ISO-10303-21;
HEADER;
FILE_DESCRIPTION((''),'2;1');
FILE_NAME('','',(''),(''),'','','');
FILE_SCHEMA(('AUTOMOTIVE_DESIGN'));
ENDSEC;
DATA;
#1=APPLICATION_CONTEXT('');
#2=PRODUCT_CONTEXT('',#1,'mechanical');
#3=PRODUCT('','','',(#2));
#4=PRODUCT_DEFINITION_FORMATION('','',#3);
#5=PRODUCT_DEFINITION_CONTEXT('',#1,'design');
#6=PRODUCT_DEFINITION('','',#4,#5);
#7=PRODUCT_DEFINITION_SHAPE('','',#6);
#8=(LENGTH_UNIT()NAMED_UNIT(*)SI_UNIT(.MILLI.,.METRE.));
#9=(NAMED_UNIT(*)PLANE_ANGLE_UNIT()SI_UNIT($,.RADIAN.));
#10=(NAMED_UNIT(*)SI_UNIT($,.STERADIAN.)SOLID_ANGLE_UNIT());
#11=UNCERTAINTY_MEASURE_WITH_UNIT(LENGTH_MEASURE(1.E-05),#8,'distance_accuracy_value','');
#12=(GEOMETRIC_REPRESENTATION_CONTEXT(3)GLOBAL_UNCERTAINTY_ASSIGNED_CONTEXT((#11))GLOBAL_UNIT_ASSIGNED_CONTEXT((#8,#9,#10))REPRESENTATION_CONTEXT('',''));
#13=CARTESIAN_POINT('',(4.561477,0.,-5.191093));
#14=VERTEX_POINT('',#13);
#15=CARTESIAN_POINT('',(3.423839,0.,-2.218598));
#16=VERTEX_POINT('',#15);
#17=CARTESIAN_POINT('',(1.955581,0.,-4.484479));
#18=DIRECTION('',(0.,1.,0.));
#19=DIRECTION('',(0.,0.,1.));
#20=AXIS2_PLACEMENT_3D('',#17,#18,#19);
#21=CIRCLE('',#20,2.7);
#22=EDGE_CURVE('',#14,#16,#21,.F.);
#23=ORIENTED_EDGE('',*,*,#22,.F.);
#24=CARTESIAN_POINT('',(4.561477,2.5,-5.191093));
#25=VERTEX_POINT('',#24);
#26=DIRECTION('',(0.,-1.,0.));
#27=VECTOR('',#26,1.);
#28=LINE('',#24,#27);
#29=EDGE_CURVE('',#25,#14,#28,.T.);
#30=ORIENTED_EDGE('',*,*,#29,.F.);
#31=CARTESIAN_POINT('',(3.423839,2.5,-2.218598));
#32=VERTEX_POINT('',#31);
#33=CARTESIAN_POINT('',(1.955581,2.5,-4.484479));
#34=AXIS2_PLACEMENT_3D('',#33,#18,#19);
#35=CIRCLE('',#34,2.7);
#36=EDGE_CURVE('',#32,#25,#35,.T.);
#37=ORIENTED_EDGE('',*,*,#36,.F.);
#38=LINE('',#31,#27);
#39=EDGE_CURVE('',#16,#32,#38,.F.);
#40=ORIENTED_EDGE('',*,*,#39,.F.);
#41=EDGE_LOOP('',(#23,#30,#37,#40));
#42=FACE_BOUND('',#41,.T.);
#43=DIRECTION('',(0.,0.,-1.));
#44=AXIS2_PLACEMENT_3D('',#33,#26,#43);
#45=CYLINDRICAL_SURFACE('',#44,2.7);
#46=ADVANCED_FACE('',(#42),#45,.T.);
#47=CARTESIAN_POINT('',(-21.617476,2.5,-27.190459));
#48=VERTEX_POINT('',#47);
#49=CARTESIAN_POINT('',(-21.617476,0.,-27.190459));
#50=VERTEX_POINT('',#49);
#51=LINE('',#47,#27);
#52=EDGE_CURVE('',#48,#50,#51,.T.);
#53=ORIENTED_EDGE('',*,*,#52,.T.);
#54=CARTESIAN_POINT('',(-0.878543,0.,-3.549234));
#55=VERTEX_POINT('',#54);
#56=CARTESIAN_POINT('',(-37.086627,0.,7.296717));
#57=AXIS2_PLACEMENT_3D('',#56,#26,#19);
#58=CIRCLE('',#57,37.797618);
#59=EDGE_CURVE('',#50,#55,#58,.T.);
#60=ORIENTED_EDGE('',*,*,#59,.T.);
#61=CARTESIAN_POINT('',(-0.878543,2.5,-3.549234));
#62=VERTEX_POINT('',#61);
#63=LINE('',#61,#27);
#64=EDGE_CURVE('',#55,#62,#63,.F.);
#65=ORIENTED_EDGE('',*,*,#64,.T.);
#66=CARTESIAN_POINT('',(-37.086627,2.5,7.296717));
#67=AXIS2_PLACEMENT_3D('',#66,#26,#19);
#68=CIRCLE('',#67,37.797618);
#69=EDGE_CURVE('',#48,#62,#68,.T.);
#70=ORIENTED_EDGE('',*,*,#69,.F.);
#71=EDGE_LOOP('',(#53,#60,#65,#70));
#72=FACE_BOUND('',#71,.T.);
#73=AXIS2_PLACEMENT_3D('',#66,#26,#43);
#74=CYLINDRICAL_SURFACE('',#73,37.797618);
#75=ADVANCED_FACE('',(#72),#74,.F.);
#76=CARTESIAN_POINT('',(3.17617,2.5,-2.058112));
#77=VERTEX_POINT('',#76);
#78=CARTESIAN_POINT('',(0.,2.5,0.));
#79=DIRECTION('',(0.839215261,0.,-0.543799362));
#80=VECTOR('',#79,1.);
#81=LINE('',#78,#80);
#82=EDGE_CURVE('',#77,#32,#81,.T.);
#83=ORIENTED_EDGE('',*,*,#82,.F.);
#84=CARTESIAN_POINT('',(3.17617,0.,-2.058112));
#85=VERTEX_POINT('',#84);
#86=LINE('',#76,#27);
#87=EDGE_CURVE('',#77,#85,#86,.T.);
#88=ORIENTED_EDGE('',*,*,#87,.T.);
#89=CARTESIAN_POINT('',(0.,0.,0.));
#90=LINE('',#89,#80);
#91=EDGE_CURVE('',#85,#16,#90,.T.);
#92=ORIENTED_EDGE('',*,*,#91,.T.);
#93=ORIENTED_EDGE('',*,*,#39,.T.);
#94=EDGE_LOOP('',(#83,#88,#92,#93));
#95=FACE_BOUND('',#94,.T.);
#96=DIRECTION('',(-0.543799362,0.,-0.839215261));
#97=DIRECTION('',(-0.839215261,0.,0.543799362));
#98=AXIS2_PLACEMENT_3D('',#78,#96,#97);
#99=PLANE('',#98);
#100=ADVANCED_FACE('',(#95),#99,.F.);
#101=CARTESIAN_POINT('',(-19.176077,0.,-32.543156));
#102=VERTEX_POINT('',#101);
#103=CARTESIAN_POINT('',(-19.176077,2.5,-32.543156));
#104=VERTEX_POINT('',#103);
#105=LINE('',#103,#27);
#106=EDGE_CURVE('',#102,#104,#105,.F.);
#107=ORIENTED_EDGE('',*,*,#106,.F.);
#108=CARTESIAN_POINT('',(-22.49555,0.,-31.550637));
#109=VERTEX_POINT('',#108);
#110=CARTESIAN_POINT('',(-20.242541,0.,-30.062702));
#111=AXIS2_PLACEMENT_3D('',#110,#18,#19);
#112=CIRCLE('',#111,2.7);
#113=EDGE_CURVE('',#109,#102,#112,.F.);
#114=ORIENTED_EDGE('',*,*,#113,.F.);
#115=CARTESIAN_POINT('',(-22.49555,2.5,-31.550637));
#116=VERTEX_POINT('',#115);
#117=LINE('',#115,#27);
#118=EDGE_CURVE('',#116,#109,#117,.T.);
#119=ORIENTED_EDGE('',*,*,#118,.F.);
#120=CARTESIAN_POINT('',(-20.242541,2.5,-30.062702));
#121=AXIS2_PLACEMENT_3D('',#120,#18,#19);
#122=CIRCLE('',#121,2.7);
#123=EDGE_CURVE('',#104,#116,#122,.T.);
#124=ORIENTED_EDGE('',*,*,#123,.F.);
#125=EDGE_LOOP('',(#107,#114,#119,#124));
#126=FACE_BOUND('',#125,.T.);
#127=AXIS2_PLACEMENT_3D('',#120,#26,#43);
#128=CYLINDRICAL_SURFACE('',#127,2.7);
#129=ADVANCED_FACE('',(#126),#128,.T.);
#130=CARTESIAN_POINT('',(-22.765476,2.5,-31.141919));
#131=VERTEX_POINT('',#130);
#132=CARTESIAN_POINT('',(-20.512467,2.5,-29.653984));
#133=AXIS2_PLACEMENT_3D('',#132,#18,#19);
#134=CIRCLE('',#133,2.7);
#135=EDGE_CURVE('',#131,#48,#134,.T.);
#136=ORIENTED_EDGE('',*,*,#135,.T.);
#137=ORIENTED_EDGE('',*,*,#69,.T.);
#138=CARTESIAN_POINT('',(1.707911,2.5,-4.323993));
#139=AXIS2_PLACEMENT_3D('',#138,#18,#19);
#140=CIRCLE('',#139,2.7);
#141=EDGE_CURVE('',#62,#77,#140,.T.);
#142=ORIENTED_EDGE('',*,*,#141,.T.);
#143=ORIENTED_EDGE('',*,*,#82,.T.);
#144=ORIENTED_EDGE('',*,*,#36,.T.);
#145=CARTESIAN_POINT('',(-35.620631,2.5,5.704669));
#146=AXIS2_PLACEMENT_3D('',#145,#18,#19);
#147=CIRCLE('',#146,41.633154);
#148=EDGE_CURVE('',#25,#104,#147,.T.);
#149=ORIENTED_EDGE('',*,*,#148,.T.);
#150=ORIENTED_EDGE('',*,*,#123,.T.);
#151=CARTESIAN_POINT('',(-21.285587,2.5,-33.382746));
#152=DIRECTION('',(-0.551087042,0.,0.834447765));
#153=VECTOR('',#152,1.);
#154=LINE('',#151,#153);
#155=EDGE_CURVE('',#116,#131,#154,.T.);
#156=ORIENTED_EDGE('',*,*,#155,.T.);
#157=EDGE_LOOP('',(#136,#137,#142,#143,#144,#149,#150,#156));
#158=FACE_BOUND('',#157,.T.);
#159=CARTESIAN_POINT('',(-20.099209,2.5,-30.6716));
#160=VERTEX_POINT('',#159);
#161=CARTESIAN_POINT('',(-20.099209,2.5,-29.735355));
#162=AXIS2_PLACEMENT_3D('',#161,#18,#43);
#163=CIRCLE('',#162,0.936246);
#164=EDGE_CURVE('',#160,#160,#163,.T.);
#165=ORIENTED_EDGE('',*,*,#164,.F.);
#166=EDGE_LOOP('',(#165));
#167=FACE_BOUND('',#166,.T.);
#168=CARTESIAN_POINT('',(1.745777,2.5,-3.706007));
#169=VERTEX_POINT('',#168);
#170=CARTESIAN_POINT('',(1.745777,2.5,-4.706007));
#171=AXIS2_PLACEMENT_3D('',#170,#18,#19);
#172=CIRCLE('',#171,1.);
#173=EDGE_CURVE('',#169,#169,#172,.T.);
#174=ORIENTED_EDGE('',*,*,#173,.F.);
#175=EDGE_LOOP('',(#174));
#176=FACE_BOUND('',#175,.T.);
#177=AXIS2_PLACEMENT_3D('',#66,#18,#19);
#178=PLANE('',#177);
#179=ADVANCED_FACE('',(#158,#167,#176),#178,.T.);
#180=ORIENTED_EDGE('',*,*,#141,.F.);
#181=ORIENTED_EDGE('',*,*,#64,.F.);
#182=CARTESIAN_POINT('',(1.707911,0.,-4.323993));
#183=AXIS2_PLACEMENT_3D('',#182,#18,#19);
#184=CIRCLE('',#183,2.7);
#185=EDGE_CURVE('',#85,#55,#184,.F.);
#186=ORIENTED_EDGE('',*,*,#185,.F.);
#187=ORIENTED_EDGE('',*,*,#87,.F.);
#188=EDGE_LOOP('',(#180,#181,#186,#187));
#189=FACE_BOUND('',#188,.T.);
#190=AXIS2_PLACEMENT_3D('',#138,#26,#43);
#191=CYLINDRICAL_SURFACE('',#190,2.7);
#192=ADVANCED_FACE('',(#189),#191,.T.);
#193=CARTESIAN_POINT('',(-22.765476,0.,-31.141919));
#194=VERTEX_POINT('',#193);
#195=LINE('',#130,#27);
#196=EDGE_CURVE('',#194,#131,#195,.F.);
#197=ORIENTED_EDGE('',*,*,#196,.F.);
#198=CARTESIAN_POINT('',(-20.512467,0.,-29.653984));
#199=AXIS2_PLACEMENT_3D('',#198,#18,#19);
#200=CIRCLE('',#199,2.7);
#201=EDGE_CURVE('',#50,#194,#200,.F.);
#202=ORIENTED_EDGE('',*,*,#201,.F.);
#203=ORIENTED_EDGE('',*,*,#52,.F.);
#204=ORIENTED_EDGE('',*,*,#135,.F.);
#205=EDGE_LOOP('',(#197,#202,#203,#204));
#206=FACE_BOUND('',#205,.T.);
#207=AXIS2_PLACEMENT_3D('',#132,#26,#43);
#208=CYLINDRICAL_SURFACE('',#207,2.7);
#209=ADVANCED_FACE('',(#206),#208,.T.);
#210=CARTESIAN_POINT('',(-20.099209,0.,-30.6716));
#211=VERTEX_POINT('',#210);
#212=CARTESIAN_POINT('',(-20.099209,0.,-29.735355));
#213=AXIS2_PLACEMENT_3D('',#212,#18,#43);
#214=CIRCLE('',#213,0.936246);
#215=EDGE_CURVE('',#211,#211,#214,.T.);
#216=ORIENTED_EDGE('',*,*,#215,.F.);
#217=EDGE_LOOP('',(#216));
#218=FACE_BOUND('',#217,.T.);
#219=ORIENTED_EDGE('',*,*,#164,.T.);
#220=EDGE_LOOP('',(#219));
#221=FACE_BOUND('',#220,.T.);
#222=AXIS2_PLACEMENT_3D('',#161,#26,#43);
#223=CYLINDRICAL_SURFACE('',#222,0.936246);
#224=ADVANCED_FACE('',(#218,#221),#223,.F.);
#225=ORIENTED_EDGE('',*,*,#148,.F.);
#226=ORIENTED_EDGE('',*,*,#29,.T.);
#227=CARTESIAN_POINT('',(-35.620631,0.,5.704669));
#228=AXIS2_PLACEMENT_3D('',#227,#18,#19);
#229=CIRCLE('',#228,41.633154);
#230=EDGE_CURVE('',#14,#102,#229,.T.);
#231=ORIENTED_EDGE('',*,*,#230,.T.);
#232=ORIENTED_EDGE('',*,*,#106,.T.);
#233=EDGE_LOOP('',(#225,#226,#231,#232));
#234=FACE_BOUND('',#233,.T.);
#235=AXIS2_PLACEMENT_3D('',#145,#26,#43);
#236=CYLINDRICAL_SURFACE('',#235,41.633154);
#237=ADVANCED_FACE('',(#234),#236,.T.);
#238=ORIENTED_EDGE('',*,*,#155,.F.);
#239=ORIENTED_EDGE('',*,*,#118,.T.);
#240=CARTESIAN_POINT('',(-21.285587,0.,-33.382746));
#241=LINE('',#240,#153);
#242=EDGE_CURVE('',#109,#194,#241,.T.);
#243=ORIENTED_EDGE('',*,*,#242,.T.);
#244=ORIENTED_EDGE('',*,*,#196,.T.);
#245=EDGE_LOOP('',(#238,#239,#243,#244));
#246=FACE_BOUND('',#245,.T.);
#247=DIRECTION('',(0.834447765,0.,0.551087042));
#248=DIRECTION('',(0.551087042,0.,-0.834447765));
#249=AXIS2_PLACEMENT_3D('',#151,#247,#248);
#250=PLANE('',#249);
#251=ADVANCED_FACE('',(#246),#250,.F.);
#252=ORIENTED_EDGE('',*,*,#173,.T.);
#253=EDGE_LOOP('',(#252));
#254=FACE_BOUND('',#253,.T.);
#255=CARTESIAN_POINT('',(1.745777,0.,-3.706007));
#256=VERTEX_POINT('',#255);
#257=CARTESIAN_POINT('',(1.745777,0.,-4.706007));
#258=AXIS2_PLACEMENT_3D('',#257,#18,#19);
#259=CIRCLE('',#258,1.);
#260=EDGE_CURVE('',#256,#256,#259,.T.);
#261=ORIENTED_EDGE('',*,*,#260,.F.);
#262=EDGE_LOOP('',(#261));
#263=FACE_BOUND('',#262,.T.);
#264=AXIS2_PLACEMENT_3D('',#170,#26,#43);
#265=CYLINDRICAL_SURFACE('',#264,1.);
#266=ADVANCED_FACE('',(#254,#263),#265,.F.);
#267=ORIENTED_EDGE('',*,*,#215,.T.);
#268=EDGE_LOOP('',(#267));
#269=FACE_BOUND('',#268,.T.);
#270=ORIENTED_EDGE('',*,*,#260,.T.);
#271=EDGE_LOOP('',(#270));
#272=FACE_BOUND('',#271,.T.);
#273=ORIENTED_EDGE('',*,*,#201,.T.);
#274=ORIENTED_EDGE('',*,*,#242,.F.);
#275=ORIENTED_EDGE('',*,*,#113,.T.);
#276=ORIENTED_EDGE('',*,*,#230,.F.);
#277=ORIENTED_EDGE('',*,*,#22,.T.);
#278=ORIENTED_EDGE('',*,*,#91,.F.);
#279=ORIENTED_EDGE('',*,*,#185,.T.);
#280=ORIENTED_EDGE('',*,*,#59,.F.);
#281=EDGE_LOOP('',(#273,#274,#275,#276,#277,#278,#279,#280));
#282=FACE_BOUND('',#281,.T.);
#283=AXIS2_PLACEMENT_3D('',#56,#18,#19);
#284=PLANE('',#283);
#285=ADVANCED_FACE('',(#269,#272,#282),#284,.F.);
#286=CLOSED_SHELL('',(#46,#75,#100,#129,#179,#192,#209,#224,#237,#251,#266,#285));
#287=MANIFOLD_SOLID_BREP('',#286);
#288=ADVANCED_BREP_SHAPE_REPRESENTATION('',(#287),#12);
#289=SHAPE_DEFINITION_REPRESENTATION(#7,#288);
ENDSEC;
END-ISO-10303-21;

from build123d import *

# Parameters (mm, degrees)
SCHIZZO1_R                   = 0.936245514
SCHIZZO1_R_2                 = 1
ESTRUSIONE_ESTRUSIONE1_DEPTH = 2.5
RACCORDO1_R                  = 2.7


with BuildPart() as part:
    # Schizzo1 → Estrusione-Estrusione1 (new body)
    with BuildSketch(Plane(origin=(0, 0, 0), x_dir=(1, 0, 0), z_dir=(0, 1, 0))):
        with BuildLine():
            Line((0, 0), (5.035291563, 3.262796174))
            ThreePointArc((5.035291563, 3.262796174), (-4.27091895, 21.690860387), (-21.285586763, 33.382745778))
            Line((-21.285586763, 33.382745778), (-24.592109016, 28.376059189))
            ThreePointArc((-24.592109016, 28.376059189), (-8.523142058, 17.457823812), (0, 0))
        make_face()
        with Locations((-20.099209332, 29.73535462)):
            Circle(SCHIZZO1_R, mode=Mode.SUBTRACT)
        with Locations((1.745777445, 4.706006726)):
            Circle(SCHIZZO1_R_2, mode=Mode.SUBTRACT)
    extrude(amount=ESTRUSIONE_ESTRUSIONE1_DEPTH)

    # Raccordo1
    raccordo1_edges = [part.edges().sort_by_distance(p)[0] for p in [
        (-24.592109016, 1.25, -28.376059189),
        (-21.285586763, 1.25, -33.382745778),
        (5.035291563, 1.25, -3.262796174),
        (0, 1.25, 0),
    ]]
    fillet(raccordo1_edges, radius=RACCORDO1_R)


solid = part.part
